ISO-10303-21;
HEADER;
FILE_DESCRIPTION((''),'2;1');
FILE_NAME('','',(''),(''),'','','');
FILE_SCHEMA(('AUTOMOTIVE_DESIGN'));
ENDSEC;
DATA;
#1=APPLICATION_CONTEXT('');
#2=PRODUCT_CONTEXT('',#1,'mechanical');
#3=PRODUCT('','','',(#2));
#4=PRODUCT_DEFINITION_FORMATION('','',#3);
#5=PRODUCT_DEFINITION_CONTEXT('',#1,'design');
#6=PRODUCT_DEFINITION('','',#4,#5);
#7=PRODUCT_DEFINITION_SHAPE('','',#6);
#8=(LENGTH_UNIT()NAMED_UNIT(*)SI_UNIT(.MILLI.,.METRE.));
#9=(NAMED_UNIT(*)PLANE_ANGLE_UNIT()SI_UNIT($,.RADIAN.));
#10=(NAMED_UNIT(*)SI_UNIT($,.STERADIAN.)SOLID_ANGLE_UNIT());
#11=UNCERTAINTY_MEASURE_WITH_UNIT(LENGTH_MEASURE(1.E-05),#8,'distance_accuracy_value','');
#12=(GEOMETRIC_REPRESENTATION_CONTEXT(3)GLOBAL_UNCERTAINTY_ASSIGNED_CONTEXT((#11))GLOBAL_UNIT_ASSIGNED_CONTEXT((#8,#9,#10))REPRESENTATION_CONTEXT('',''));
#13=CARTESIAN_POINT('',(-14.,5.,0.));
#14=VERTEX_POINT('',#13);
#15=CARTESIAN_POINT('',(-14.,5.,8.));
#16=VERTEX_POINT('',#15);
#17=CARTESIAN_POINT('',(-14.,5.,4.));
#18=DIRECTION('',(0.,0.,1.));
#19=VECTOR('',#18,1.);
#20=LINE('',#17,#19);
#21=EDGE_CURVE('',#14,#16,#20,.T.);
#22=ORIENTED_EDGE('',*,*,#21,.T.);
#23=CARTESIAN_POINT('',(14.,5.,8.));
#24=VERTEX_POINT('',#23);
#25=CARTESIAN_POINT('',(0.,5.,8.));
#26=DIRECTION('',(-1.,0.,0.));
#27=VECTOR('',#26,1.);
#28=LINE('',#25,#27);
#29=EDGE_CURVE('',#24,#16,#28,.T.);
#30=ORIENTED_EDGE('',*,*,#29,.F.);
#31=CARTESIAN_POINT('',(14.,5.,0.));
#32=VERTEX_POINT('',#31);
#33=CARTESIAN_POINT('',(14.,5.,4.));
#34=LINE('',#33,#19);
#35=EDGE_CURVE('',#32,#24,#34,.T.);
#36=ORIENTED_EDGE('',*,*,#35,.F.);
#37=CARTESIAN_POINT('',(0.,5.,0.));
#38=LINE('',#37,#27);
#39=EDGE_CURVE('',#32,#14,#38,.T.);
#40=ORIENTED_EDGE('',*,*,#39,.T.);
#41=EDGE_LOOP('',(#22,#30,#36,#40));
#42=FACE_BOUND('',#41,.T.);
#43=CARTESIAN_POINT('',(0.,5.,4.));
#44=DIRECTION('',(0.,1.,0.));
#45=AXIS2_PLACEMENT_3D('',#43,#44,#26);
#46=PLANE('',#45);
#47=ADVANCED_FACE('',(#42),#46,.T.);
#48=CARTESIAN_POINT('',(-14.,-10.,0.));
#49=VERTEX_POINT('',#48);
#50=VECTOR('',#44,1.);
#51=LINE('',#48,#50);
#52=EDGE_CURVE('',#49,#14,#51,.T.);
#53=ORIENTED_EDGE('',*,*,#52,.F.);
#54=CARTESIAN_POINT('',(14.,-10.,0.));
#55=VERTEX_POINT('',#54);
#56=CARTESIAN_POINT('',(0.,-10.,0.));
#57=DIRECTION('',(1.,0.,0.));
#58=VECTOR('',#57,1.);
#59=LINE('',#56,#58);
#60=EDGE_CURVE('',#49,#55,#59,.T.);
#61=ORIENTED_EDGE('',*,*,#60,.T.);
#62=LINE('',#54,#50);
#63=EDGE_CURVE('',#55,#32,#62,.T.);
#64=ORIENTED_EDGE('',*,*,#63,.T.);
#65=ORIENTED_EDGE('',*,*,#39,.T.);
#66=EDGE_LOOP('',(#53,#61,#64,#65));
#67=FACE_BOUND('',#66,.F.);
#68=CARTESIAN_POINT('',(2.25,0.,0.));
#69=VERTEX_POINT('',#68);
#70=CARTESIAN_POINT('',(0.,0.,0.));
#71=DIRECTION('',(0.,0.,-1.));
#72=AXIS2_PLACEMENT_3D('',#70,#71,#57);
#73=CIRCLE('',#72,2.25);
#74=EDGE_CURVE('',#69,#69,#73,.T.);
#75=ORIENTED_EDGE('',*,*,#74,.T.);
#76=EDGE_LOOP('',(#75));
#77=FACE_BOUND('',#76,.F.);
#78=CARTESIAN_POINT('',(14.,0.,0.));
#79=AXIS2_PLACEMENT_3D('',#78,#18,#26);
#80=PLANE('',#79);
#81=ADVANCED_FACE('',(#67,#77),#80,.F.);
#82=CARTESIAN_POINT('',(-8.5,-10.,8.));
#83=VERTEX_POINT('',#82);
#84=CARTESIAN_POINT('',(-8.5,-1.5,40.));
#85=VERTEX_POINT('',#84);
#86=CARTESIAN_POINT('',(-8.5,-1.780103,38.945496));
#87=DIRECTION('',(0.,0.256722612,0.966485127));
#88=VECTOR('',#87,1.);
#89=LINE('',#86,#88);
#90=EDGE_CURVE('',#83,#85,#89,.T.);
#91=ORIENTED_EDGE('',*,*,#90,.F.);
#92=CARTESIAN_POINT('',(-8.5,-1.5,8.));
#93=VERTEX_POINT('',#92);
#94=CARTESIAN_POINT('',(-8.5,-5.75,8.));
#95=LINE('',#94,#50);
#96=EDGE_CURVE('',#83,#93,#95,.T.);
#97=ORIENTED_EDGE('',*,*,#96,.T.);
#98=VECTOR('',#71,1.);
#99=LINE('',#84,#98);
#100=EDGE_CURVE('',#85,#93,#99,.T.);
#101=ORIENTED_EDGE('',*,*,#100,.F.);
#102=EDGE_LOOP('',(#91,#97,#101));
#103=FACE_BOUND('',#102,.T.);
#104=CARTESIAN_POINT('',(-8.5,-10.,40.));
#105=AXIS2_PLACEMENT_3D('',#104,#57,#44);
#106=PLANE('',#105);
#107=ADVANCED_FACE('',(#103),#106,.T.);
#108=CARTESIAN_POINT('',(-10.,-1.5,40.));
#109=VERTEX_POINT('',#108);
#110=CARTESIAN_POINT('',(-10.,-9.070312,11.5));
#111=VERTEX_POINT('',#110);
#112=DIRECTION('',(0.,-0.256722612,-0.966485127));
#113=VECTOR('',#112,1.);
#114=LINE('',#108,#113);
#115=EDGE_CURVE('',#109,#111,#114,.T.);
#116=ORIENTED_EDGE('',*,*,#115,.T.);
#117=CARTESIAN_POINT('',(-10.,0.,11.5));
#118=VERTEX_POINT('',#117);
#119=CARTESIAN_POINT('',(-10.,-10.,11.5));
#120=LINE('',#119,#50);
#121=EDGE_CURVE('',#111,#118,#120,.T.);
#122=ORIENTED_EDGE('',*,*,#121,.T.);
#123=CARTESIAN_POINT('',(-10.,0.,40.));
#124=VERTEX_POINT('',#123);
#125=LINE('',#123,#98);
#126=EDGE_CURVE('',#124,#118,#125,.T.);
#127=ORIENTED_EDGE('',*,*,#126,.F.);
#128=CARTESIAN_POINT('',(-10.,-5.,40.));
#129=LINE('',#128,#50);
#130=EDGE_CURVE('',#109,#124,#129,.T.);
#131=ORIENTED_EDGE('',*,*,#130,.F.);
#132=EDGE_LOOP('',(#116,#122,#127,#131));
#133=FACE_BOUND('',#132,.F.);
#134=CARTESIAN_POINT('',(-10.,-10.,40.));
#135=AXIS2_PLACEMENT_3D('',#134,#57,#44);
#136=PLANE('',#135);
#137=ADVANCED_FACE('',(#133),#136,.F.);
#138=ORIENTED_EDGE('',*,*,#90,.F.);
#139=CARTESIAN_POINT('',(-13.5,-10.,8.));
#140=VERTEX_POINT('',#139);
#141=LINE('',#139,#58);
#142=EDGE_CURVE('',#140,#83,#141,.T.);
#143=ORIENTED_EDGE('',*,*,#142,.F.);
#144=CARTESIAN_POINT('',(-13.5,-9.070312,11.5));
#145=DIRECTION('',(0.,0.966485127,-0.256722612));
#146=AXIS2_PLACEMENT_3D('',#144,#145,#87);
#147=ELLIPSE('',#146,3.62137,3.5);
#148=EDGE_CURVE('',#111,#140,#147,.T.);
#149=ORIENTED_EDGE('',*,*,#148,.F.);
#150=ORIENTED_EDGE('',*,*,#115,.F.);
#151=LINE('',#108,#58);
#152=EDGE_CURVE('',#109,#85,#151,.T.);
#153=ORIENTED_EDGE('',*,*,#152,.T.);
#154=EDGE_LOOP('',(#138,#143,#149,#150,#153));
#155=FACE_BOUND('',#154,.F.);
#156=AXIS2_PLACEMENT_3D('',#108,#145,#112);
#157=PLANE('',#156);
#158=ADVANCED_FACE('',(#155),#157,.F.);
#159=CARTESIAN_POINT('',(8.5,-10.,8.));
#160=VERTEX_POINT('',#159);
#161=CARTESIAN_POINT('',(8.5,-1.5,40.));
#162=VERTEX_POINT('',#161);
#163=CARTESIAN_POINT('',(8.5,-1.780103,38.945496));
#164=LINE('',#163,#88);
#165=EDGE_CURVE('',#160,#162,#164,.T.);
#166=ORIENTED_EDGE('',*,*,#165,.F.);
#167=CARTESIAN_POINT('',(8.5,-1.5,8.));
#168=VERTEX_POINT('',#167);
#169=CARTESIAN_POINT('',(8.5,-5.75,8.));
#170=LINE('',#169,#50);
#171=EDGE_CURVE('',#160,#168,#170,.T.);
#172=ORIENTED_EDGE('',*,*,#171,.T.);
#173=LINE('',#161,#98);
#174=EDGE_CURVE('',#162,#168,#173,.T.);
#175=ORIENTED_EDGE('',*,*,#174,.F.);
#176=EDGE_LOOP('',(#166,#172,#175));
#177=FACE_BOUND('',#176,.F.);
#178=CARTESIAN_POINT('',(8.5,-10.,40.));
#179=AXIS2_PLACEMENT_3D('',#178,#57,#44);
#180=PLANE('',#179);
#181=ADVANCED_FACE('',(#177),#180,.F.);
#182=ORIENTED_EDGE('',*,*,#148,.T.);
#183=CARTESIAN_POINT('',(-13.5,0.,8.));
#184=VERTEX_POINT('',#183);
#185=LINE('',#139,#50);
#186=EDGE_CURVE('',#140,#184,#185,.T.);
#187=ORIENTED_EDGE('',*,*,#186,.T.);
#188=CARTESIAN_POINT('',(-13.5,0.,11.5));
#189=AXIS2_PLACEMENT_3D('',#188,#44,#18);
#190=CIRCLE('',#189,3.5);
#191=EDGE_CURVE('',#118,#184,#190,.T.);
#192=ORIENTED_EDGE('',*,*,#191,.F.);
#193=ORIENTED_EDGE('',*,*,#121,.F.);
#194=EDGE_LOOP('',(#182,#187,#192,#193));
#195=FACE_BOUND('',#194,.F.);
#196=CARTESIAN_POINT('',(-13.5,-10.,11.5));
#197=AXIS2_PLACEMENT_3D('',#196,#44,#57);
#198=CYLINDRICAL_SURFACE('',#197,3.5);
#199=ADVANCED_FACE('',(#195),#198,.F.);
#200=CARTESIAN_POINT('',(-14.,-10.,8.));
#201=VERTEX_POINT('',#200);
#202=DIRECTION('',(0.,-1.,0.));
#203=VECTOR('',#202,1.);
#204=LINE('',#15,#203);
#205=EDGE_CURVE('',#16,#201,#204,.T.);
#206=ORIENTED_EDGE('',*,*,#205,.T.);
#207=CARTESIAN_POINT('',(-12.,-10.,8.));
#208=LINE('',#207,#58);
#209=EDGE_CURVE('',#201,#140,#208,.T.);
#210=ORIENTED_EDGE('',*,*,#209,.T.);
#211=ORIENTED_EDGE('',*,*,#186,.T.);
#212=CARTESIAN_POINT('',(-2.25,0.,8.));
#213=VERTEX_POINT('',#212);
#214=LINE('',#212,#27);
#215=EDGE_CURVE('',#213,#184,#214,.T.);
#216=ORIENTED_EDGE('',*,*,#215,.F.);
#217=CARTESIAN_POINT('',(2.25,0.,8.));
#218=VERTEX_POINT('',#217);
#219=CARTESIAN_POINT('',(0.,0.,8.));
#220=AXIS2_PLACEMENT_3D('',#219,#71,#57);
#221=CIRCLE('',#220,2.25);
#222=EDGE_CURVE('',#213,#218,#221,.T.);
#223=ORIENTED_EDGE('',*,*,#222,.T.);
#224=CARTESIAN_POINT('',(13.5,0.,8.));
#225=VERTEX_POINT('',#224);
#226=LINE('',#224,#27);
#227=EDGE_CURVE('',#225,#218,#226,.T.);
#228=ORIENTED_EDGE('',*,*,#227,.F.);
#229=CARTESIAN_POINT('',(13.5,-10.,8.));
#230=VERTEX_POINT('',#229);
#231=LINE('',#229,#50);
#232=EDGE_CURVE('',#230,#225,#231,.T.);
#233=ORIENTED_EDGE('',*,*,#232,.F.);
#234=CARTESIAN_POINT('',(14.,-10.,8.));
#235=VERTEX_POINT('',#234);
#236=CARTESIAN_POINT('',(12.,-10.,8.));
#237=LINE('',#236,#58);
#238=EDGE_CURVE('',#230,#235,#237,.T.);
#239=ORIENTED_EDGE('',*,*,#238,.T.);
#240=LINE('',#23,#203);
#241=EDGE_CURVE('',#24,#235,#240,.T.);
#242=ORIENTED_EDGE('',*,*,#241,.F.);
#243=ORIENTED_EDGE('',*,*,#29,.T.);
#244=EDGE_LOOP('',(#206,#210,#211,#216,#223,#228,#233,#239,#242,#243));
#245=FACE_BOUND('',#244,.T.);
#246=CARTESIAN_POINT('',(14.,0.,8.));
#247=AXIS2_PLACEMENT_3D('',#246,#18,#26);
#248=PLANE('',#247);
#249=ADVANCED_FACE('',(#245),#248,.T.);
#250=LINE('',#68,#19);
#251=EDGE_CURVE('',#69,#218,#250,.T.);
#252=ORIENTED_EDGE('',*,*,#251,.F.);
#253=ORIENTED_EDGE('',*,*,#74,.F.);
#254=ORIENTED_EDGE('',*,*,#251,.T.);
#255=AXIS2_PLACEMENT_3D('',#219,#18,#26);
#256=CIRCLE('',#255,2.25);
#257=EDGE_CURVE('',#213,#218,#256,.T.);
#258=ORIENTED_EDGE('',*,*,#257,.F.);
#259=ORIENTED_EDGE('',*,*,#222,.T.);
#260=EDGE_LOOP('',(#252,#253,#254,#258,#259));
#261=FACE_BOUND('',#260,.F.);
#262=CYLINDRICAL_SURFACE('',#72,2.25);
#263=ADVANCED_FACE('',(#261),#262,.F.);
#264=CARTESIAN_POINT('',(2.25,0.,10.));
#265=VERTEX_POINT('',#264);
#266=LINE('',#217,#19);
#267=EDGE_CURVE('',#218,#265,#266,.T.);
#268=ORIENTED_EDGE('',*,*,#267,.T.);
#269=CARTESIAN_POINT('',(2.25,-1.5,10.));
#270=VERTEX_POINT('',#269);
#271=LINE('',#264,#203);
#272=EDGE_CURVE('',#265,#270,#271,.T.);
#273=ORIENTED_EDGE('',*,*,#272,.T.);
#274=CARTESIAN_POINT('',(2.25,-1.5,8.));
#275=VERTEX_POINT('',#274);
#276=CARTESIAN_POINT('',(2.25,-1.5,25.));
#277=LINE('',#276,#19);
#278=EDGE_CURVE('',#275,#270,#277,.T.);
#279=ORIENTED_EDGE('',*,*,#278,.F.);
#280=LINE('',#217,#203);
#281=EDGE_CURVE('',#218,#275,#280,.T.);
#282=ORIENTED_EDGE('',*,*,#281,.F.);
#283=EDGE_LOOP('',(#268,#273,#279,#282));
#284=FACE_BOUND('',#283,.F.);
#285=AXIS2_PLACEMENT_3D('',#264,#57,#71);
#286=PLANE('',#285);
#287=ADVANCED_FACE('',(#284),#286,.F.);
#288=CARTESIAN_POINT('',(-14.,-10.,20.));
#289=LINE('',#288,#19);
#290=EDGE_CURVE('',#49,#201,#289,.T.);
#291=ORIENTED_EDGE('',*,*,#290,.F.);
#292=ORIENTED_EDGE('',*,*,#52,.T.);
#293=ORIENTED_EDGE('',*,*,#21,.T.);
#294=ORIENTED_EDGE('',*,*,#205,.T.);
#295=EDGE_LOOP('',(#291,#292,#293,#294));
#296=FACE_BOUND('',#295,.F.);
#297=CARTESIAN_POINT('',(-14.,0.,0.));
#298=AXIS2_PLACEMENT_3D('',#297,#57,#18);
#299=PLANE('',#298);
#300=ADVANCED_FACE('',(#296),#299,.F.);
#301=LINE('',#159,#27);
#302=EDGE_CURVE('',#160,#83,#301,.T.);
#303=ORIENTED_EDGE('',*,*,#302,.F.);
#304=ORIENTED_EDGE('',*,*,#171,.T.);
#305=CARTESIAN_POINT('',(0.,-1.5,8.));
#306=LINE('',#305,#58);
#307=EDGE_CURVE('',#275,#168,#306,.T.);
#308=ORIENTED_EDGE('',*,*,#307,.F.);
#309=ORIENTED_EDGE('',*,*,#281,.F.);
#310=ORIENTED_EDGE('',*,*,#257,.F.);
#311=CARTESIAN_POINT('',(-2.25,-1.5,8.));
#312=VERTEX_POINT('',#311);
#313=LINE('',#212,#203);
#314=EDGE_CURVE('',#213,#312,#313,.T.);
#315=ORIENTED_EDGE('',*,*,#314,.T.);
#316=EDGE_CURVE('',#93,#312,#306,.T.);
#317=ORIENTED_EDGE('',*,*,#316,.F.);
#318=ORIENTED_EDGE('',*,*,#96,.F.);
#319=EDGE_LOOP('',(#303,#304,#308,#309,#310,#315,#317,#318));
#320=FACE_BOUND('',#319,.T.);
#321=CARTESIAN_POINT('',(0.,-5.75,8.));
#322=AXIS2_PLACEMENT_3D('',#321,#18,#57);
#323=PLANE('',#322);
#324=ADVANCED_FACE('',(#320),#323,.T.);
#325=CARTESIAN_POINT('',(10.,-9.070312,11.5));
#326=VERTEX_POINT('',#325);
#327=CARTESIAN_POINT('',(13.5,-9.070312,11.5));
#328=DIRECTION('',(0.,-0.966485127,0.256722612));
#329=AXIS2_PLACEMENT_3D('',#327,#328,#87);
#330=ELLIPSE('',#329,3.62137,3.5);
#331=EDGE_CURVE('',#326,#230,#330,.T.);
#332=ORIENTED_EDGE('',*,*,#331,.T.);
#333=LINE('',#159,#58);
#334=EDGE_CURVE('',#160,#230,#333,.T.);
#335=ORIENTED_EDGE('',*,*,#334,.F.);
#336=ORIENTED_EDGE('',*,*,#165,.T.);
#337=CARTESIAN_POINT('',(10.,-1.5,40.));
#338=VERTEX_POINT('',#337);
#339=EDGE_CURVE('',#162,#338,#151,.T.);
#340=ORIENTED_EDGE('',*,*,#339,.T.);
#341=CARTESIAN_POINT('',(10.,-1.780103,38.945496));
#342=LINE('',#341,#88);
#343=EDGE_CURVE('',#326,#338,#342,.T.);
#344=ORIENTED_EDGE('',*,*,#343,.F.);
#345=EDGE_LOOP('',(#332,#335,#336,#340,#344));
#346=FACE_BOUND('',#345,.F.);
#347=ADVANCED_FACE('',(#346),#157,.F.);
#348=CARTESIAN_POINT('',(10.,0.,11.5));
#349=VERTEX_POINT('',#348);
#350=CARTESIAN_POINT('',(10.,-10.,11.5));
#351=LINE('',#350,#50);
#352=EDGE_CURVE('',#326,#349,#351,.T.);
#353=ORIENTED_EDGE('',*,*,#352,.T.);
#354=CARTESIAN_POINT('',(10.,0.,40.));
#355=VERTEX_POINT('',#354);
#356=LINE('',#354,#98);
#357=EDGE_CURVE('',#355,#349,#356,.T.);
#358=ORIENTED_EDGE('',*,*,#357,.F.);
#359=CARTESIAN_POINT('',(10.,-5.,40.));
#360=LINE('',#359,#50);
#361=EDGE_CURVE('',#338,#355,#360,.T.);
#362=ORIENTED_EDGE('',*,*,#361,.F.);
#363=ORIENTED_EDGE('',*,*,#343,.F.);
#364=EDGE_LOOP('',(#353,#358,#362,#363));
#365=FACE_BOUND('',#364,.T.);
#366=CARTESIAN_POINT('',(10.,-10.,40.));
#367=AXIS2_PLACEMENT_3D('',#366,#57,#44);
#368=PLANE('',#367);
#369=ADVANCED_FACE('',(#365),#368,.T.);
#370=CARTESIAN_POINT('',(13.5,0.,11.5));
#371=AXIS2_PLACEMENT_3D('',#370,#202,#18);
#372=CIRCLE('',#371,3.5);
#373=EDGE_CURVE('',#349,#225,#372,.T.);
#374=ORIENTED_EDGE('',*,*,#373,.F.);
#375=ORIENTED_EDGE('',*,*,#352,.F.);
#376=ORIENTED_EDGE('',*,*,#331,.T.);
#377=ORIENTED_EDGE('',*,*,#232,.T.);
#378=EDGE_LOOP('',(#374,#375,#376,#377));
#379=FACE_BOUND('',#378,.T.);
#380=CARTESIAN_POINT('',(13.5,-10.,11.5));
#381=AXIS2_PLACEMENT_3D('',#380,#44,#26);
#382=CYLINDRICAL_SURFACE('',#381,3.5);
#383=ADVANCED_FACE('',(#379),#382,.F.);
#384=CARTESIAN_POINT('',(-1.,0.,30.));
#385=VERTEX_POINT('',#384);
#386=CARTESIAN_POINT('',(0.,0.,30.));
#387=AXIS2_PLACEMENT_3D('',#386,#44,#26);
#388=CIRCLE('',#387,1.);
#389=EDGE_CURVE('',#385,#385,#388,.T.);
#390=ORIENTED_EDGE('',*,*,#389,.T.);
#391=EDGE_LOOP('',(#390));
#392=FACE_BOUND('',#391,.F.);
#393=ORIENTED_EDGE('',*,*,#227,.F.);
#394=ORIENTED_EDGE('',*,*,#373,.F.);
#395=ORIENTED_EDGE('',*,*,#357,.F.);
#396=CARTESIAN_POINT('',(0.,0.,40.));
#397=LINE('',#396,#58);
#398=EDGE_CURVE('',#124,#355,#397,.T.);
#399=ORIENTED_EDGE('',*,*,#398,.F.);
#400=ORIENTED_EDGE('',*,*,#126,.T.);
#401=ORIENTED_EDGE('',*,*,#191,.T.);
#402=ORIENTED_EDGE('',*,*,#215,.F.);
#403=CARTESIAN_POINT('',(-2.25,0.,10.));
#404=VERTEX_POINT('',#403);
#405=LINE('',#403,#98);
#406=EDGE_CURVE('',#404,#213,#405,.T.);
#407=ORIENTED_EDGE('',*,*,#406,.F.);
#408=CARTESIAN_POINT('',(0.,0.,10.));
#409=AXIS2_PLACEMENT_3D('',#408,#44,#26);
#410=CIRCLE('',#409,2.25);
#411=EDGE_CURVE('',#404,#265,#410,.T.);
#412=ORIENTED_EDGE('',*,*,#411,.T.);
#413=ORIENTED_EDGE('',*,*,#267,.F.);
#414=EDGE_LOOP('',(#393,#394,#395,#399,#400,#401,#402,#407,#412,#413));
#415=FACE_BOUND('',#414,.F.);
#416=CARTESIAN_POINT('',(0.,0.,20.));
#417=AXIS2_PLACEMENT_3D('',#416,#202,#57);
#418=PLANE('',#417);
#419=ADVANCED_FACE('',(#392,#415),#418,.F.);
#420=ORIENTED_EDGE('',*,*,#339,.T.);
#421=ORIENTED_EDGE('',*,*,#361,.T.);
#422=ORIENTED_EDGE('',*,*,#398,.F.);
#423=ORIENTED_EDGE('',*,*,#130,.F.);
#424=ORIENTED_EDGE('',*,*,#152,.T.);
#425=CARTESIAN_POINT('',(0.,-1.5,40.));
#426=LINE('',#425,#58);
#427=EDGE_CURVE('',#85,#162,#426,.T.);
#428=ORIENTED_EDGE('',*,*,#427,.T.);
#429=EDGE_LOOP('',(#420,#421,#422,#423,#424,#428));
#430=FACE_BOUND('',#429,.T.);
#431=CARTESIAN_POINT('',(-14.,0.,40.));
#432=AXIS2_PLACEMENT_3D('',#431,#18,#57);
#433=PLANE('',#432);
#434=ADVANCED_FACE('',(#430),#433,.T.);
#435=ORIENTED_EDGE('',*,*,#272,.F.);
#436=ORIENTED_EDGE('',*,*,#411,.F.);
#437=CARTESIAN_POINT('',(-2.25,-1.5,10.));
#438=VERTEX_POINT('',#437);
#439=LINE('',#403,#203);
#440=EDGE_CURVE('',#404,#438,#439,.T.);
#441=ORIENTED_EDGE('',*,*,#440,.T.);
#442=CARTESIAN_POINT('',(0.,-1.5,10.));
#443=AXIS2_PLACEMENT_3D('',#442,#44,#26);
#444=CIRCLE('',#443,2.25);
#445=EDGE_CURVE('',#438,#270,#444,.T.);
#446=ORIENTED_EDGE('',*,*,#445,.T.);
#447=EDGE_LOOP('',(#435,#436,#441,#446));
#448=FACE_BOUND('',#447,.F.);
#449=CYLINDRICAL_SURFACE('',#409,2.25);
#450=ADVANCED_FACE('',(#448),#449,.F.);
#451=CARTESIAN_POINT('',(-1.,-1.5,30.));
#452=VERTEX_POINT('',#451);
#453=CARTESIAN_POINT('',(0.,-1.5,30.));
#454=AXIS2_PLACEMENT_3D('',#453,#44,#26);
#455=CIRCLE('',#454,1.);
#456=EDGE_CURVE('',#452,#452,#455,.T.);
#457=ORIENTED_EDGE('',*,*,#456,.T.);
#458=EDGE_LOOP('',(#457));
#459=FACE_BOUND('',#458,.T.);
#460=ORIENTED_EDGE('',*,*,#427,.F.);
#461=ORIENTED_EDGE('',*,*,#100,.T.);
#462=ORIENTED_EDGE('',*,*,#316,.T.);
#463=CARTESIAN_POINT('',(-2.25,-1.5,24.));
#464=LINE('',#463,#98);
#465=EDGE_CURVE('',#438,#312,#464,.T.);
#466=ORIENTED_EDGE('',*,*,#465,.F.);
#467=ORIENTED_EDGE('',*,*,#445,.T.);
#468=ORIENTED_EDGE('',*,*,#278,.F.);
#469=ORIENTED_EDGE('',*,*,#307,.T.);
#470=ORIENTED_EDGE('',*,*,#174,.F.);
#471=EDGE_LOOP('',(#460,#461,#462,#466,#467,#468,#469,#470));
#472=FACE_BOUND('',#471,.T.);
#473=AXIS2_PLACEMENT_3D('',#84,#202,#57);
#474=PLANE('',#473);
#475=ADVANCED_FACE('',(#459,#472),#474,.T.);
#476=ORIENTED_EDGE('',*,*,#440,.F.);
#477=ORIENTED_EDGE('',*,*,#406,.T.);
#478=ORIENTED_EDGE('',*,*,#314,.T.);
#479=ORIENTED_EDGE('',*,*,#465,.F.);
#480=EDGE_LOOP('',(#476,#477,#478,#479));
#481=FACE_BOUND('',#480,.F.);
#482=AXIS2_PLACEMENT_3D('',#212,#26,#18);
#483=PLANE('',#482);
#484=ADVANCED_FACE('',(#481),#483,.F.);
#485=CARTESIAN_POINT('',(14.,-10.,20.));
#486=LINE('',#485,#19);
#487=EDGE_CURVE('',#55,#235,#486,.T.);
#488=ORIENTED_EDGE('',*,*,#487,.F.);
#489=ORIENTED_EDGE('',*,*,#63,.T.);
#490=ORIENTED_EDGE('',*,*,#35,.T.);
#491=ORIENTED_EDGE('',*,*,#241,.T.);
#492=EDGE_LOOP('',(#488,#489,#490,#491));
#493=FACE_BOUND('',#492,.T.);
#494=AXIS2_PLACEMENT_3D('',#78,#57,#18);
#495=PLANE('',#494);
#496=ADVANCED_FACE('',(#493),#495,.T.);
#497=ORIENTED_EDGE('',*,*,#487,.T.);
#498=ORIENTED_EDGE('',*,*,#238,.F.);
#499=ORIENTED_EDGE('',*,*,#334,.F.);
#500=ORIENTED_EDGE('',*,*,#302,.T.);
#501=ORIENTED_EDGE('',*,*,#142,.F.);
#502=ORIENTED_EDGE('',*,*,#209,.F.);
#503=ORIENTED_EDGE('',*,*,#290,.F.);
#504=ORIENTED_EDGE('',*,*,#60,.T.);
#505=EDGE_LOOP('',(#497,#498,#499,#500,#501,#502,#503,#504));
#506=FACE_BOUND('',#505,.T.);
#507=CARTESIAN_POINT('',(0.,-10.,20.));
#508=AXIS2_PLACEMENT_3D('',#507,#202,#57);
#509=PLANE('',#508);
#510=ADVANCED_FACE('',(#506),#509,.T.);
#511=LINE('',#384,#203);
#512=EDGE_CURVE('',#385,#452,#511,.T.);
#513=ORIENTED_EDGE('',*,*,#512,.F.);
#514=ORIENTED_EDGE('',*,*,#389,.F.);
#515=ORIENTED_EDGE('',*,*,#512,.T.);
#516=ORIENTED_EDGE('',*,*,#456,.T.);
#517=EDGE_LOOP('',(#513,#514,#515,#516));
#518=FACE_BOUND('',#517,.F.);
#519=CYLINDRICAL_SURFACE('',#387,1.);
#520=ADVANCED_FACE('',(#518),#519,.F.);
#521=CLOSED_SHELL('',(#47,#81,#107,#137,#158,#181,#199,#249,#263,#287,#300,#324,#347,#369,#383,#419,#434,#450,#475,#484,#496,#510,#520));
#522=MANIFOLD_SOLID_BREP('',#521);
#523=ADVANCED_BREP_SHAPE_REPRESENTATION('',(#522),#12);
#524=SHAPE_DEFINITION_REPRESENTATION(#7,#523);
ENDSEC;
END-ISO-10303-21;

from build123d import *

# Parameters (mm, degrees)
F0_W      = 28
F0_H      = 40
F1_DEPTH  = 10
F2_W      = 4
F2_H      = 10
F2_W_2    = 17
F2_H_2    = 8.5
F3_DEPTH  = 32
F5_DEPTH  = 24.001
F6_W      = 28
F6_H      = 8
F7_DEPTH  = 5
F8_R      = 1
F9_DEPTH  = 10.001
F10_R     = 2.25
F11_DEPTH = 9
F13_DEPTH = 10.001
F14_R     = 3.5


with BuildPart() as f1:
    # F0 (on Front) → F1 (new body)
    with BuildSketch(Plane.XZ):
        with Locations((0, 20)):
            Rectangle(F0_W, F0_H)
    extrude(amount=F1_DEPTH)

    # F2 (on face) → F3 (cut)
    with BuildSketch(Plane.XY.offset(40)):
        with Locations((-12, -5)):
            Rectangle(F2_W, F2_H)
        with Locations((12, -5)):
            Rectangle(F2_W, F2_H)
        with Locations((0, -5.75)):
            Rectangle(F2_W_2, F2_H_2)
    extrude(amount=-F3_DEPTH, mode=Mode.SUBTRACT)

    # F4 (on face) → F5 (cut, through all)
    with BuildSketch(Plane(origin=(-10, 0, 0), x_dir=(0, -1, 0), z_dir=(-1, 0, 0))):
        Polygon((1.5, 40), (10, 8), (10, 40), align=None)
    extrude(amount=-F5_DEPTH, mode=Mode.SUBTRACT)

    # F6 (on face) → F7 (join)
    with BuildSketch(Plane(origin=(0, 0, 0), x_dir=(-1, 0, 0), z_dir=(0, 1, 0))):
        with Locations((0, 4)):
            Rectangle(F6_W, F6_H)
    extrude(amount=F7_DEPTH)

    # F8 (on face) → F9 (cut, through all)
    with BuildSketch(Plane(origin=(0, 0, 0), x_dir=(-1, 0, 0), z_dir=(0, 1, 0))):
        with Locations((0, 30)):
            Circle(F8_R)
    extrude(amount=-F9_DEPTH, mode=Mode.SUBTRACT)

    # F10 (on face) → F11 (cut)
    with BuildSketch(Plane(origin=(0, 0, 0), x_dir=(1, 0, 0), z_dir=(0, 0, -1))):
        Circle(F10_R)
    extrude(amount=-F11_DEPTH, mode=Mode.SUBTRACT)

    # F12 (on face) → F13 (cut, through all)
    with BuildSketch(Plane(origin=(0, 0, 0), x_dir=(-1, 0, 0), z_dir=(0, 1, 0))):
        with BuildLine():
            Line((-2.25, 10), (-2.25, 8))
            Line((-2.25, 8), (2.25, 8))
            Line((2.25, 8), (2.25, 10))
            ThreePointArc((2.25, 10), (0, 12.25), (-2.25, 10))
        make_face()
    extrude(amount=-F13_DEPTH, mode=Mode.SUBTRACT)

    # F14
    f14_edges = [f1.edges().sort_by_distance(p)[0] for p in [
        (10, -5, 8),
        (-10, -5, 8),
    ]]
    fillet(f14_edges, radius=F14_R)


solid = f1.part
